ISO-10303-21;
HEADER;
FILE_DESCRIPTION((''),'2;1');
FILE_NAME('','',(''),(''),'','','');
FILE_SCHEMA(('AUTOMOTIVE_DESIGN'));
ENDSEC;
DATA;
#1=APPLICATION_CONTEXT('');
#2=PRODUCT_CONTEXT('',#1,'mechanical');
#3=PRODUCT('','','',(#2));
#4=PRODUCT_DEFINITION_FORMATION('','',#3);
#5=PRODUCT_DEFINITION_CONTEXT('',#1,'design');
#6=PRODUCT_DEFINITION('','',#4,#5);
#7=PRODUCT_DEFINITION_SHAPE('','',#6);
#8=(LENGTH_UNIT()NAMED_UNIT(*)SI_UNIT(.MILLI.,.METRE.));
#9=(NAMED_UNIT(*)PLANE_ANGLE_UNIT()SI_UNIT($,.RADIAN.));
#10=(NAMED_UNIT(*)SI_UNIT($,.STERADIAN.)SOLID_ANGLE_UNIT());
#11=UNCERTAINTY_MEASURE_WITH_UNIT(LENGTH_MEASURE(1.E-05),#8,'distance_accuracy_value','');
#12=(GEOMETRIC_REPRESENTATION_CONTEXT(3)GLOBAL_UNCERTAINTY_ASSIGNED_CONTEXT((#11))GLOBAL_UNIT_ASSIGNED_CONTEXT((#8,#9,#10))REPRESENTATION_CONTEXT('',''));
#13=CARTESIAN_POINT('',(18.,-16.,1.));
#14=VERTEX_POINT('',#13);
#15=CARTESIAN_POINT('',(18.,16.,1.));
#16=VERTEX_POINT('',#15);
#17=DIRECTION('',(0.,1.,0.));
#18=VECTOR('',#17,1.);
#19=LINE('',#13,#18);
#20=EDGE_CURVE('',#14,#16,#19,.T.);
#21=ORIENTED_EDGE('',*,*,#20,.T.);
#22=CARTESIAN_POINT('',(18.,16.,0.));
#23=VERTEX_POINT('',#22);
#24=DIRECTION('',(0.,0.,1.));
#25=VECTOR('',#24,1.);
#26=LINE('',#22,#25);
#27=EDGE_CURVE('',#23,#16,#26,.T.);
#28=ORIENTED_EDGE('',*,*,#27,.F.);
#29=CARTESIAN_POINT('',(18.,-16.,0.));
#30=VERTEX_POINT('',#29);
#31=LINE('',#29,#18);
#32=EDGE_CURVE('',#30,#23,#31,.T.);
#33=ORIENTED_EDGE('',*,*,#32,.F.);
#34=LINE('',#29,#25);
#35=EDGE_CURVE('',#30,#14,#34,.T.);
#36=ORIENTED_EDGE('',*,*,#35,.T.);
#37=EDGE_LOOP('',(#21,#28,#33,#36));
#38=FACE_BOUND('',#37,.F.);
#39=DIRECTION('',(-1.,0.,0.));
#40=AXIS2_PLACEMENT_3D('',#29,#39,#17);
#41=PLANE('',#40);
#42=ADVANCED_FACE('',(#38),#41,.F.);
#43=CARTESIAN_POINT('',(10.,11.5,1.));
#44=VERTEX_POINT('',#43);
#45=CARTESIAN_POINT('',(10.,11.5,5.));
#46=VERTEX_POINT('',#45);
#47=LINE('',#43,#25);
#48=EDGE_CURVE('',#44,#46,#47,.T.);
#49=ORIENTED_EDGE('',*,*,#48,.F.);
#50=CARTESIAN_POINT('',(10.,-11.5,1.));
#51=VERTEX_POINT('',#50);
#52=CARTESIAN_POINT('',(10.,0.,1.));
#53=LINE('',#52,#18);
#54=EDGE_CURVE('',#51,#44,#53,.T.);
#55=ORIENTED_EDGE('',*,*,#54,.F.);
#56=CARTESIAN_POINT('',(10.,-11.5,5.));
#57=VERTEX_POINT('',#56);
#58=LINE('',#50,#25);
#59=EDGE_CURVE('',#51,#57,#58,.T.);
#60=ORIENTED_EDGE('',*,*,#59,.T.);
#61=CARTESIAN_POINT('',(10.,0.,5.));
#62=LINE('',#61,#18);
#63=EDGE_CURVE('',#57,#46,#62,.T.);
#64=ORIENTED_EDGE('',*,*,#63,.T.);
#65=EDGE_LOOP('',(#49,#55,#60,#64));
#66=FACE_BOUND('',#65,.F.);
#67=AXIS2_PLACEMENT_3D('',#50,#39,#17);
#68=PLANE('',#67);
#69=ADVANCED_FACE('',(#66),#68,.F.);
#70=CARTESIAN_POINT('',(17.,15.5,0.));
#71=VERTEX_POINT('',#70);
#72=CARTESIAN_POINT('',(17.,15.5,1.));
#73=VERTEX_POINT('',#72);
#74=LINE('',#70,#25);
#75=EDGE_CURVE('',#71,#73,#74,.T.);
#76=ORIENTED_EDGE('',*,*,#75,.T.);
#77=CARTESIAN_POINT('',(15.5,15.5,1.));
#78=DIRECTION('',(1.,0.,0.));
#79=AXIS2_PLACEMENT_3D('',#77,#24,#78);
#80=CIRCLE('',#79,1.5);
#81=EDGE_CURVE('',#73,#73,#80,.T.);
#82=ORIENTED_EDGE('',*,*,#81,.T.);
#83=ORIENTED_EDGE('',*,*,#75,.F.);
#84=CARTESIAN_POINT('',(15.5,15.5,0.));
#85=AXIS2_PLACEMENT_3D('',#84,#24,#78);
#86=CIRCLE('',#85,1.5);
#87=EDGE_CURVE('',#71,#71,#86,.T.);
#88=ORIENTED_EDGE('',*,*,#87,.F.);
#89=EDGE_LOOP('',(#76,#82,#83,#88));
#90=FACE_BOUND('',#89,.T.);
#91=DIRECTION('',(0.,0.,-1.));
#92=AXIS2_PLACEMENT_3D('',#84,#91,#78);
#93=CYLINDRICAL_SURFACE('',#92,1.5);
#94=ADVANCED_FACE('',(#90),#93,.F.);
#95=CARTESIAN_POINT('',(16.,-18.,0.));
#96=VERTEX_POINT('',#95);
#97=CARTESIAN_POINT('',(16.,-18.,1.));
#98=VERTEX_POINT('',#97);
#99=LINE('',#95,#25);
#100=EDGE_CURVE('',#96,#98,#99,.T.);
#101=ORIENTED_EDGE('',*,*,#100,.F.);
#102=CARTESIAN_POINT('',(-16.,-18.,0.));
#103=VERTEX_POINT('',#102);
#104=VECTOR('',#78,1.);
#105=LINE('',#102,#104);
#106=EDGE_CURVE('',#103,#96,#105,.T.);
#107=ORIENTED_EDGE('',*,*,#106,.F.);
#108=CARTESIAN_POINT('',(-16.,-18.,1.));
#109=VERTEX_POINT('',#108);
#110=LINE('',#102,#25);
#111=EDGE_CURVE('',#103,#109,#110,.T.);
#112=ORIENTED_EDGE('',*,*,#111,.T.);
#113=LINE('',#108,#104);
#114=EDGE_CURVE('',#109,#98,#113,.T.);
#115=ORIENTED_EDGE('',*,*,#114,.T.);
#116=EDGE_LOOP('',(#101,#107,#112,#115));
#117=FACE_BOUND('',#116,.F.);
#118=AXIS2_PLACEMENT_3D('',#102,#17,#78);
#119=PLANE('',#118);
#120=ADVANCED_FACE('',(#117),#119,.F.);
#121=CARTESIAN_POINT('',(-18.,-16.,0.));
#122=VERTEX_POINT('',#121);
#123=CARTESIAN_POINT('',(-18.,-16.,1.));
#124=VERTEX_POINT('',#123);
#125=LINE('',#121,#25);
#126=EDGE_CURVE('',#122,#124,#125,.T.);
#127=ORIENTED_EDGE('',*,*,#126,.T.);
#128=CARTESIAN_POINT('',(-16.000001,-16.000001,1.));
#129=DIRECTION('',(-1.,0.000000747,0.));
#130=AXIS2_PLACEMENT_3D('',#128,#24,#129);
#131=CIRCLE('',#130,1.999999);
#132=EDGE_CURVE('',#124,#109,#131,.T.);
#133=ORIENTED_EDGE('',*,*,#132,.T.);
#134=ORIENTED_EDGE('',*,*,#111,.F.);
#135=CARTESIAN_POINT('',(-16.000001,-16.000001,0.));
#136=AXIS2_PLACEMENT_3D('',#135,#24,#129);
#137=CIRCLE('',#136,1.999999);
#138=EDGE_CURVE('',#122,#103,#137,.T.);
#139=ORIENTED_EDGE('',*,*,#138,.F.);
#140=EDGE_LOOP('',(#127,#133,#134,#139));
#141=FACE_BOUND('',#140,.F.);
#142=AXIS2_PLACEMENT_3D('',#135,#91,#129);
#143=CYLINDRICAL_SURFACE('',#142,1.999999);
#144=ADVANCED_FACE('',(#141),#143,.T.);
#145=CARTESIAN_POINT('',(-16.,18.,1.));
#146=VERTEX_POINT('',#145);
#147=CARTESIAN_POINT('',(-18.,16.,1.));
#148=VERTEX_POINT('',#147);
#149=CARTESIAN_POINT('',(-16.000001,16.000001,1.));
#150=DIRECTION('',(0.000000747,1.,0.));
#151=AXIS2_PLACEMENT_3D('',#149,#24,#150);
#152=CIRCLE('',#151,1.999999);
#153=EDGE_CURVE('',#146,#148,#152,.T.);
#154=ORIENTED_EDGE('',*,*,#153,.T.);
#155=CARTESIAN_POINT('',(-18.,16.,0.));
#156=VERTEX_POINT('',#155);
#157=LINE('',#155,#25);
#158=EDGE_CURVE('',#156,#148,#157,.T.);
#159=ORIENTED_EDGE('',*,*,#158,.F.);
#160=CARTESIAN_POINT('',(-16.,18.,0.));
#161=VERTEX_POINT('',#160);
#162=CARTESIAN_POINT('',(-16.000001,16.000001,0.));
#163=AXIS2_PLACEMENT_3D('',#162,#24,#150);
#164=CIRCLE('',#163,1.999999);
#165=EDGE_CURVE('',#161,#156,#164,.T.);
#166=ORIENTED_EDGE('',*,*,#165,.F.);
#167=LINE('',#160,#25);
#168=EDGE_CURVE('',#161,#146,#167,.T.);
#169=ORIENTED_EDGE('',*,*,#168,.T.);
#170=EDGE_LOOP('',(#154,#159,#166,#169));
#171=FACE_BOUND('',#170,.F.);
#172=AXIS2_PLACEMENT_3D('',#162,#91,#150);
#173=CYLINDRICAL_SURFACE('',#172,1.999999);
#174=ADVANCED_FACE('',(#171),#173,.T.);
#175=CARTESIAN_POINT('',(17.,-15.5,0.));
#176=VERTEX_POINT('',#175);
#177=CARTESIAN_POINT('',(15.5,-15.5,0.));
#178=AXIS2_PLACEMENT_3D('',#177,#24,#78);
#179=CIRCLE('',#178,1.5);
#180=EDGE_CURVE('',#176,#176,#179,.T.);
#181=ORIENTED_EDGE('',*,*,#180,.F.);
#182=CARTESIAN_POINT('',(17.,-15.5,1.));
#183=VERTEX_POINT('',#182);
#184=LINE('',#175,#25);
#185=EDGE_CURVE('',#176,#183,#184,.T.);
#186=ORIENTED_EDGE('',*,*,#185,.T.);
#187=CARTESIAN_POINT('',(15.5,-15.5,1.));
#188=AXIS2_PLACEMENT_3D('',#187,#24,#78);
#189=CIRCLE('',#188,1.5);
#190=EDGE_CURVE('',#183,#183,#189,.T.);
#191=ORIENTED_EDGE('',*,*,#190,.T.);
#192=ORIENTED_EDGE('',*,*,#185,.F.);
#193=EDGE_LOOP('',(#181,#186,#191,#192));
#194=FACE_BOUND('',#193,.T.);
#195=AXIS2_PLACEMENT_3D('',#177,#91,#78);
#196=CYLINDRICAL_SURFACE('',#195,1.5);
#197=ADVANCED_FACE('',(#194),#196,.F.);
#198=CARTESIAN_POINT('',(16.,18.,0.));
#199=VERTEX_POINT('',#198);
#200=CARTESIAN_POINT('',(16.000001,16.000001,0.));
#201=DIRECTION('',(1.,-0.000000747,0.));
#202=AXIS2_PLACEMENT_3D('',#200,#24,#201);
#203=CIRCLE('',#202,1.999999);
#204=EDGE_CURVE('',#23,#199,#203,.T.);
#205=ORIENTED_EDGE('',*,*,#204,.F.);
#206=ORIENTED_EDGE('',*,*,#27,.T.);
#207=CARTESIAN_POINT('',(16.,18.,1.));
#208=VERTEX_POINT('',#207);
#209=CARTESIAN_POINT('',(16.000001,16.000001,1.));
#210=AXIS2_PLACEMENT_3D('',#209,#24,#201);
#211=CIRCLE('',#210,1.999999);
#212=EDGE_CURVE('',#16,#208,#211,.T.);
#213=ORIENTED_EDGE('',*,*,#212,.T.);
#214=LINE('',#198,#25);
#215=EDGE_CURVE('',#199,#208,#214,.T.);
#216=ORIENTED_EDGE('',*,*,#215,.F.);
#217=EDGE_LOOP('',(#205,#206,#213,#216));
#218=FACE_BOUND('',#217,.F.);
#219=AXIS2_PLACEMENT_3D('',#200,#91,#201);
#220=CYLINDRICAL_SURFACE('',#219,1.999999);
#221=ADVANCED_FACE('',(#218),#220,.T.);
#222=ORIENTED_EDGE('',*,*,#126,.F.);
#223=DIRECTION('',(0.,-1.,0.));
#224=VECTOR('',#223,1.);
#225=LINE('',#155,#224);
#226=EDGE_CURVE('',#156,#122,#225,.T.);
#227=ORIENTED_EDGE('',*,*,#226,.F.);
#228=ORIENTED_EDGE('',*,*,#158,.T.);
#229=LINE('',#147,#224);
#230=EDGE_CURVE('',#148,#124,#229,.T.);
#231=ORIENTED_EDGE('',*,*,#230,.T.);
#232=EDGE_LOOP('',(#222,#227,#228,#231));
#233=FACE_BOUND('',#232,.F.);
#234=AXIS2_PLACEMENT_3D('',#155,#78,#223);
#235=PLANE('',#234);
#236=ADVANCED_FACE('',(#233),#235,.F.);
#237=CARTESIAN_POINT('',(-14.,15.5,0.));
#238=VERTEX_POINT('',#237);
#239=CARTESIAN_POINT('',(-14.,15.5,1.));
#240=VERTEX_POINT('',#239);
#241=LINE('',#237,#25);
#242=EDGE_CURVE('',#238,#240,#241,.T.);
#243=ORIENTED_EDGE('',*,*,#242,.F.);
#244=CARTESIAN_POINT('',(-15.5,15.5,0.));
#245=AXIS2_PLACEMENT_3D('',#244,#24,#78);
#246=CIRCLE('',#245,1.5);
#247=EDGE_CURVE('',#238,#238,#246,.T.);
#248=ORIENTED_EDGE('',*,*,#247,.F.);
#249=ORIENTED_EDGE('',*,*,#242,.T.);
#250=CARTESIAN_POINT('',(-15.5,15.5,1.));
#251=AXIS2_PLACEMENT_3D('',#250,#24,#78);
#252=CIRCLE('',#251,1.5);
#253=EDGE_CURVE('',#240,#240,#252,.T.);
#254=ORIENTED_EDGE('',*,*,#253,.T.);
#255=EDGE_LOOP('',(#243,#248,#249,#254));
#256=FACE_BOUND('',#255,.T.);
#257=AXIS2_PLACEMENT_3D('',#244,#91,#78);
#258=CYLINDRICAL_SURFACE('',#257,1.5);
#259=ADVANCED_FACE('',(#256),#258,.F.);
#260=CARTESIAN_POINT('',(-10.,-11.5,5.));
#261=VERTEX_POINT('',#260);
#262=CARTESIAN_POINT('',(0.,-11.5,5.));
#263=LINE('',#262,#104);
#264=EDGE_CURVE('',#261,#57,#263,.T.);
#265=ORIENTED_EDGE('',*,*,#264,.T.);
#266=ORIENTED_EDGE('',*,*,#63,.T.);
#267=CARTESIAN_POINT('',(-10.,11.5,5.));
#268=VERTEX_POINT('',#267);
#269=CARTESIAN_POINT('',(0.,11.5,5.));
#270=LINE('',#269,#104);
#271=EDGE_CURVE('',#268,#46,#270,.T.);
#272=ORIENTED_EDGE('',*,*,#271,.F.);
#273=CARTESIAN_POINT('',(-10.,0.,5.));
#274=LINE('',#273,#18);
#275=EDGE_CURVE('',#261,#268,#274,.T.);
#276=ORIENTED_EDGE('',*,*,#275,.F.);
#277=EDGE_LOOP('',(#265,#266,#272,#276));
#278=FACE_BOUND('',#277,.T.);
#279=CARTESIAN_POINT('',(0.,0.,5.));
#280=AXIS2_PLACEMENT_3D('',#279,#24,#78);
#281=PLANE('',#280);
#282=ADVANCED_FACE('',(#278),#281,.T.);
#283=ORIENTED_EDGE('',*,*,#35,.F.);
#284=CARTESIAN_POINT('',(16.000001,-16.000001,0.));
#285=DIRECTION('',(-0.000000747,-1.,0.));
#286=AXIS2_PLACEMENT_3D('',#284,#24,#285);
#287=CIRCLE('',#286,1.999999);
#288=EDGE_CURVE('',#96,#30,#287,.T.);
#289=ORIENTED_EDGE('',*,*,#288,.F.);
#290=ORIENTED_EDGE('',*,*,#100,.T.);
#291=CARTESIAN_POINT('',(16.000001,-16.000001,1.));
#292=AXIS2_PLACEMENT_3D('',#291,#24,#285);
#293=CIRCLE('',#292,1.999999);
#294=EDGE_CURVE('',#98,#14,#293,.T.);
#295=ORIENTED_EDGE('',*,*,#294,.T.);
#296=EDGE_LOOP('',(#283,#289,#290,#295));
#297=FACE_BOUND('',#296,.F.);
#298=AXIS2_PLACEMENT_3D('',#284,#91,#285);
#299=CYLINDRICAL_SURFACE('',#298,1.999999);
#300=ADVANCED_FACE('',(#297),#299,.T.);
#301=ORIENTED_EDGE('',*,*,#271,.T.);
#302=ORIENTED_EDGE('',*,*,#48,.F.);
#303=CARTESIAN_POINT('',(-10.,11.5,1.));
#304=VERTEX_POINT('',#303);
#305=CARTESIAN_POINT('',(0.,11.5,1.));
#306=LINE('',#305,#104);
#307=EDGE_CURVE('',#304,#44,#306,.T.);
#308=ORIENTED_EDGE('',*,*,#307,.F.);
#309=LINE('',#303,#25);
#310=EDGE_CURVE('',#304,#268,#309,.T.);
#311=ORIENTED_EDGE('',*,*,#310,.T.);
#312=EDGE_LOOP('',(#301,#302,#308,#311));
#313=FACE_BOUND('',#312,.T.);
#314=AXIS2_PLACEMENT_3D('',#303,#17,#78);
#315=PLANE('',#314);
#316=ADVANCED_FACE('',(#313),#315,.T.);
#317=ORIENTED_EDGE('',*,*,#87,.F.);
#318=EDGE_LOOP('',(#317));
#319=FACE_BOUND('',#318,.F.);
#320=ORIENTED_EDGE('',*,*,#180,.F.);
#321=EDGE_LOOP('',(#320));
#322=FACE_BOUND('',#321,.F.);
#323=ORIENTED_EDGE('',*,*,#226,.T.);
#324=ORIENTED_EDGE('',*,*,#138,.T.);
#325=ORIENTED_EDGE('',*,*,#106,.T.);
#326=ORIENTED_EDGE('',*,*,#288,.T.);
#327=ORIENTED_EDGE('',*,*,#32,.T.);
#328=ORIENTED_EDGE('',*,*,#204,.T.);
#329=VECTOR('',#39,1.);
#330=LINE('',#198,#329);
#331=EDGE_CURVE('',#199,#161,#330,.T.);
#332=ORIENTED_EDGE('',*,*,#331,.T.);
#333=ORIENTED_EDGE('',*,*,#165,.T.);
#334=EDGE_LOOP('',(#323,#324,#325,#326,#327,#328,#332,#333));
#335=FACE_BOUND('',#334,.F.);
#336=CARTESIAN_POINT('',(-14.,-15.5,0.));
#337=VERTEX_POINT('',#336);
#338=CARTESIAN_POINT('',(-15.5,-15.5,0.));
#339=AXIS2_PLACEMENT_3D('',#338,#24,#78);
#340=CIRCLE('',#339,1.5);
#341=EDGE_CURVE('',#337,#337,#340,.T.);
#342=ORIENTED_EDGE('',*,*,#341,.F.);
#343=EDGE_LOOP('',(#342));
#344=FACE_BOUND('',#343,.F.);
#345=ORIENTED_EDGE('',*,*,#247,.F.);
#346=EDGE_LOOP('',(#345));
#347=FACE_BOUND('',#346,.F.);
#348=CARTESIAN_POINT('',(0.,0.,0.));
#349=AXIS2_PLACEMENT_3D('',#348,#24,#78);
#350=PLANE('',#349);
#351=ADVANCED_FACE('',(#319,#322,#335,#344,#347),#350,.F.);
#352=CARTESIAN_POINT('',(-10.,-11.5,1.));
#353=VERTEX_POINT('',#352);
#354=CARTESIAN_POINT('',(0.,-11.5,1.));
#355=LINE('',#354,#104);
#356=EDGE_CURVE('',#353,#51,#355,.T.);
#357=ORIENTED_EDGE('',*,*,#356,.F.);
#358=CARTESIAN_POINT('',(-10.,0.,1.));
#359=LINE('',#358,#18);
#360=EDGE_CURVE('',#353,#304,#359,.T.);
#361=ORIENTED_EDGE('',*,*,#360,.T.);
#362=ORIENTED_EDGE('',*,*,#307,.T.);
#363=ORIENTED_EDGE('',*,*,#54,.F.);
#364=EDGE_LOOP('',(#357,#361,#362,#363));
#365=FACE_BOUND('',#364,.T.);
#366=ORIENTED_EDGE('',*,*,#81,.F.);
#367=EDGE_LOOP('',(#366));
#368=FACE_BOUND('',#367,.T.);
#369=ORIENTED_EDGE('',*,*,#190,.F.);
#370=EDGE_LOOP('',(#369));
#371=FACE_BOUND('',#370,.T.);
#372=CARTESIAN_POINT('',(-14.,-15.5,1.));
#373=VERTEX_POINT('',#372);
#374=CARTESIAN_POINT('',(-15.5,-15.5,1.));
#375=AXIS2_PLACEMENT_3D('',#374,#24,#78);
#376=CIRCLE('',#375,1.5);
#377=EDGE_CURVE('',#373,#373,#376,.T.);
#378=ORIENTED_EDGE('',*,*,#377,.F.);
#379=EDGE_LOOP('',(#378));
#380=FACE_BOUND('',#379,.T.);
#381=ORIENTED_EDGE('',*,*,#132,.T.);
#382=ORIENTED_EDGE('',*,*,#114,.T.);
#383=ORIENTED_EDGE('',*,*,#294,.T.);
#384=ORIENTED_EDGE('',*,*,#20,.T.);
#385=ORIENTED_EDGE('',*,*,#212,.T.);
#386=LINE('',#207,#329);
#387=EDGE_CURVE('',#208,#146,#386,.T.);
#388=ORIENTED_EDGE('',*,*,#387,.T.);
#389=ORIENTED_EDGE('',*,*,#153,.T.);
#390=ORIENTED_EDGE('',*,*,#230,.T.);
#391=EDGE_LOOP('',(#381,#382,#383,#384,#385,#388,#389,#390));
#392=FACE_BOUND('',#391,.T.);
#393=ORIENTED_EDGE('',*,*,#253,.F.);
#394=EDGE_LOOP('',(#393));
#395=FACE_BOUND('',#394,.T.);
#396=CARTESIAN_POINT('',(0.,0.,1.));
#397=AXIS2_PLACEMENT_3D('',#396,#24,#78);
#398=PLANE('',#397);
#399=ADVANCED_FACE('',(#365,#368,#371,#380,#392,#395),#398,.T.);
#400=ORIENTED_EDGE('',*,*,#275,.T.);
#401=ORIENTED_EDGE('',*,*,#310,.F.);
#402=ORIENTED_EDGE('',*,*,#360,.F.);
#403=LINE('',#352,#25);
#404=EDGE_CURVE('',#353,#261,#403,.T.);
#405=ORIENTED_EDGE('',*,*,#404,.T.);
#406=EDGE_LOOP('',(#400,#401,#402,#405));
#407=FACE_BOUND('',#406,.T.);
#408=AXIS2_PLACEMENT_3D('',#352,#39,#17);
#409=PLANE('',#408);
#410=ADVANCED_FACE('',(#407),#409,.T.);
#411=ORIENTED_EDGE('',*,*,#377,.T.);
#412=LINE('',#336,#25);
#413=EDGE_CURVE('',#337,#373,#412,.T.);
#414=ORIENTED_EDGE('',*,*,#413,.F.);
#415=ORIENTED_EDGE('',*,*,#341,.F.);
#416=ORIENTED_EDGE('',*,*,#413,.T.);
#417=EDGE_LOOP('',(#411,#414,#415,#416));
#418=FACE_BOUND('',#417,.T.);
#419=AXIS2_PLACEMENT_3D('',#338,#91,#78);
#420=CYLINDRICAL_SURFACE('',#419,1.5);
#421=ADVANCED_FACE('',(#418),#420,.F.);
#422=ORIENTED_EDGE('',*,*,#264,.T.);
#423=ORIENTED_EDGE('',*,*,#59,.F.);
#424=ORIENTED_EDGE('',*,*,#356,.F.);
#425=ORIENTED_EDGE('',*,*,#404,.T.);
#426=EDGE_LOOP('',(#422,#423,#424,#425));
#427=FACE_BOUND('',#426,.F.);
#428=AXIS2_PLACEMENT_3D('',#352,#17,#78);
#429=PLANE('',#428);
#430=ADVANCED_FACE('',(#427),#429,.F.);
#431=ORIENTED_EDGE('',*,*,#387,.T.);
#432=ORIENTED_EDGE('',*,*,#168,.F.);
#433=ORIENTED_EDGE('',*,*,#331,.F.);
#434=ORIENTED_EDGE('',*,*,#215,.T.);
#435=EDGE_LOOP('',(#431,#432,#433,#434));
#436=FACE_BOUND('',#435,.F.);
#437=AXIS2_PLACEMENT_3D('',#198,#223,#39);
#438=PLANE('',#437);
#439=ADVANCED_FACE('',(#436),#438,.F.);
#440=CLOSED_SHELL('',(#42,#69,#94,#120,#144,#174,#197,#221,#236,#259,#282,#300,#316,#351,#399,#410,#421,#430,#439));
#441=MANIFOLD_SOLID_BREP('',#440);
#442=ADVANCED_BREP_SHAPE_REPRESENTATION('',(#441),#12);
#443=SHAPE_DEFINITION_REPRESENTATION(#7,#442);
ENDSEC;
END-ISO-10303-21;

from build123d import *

# Parameters (mm, degrees)
F0_R     = 1.5
F1_DEPTH = 1
F2_W     = 20
F2_H     = 23
F3_DEPTH = 4


with BuildPart() as f1:
    # F0 (on Top) → F1 (new body)
    with BuildSketch(Plane.XY):
        with BuildLine():
            Line((16, 18), (-16, 18))
            ThreePointArc((-16, 18), (-17.414214, 17.414214), (-18, 16))
            Line((-18, 16), (-18, -16))
            ThreePointArc((-18, -16), (-17.414214, -17.414214), (-16, -18))
            Line((-16, -18), (16, -18))
            ThreePointArc((16, -18), (17.414214, -17.414214), (18, -16))
            Line((18, -16), (18, 16))
            ThreePointArc((18, 16), (17.414214, 17.414214), (16, 18))
        make_face()
        with Locations((-15.5, -15.5)):
            Circle(F0_R, mode=Mode.SUBTRACT)
        with Locations((15.5, -15.5)):
            Circle(F0_R, mode=Mode.SUBTRACT)
        with Locations((-15.5, 15.5)):
            Circle(F0_R, mode=Mode.SUBTRACT)
        with Locations((15.5, 15.5)):
            Circle(F0_R, mode=Mode.SUBTRACT)
    extrude(amount=F1_DEPTH)

    # F2 (on face) → F3 (join)
    with BuildSketch(Plane.XY.offset(1)):
        Rectangle(F2_W, F2_H)
    extrude(amount=F3_DEPTH)


solid = f1.part
